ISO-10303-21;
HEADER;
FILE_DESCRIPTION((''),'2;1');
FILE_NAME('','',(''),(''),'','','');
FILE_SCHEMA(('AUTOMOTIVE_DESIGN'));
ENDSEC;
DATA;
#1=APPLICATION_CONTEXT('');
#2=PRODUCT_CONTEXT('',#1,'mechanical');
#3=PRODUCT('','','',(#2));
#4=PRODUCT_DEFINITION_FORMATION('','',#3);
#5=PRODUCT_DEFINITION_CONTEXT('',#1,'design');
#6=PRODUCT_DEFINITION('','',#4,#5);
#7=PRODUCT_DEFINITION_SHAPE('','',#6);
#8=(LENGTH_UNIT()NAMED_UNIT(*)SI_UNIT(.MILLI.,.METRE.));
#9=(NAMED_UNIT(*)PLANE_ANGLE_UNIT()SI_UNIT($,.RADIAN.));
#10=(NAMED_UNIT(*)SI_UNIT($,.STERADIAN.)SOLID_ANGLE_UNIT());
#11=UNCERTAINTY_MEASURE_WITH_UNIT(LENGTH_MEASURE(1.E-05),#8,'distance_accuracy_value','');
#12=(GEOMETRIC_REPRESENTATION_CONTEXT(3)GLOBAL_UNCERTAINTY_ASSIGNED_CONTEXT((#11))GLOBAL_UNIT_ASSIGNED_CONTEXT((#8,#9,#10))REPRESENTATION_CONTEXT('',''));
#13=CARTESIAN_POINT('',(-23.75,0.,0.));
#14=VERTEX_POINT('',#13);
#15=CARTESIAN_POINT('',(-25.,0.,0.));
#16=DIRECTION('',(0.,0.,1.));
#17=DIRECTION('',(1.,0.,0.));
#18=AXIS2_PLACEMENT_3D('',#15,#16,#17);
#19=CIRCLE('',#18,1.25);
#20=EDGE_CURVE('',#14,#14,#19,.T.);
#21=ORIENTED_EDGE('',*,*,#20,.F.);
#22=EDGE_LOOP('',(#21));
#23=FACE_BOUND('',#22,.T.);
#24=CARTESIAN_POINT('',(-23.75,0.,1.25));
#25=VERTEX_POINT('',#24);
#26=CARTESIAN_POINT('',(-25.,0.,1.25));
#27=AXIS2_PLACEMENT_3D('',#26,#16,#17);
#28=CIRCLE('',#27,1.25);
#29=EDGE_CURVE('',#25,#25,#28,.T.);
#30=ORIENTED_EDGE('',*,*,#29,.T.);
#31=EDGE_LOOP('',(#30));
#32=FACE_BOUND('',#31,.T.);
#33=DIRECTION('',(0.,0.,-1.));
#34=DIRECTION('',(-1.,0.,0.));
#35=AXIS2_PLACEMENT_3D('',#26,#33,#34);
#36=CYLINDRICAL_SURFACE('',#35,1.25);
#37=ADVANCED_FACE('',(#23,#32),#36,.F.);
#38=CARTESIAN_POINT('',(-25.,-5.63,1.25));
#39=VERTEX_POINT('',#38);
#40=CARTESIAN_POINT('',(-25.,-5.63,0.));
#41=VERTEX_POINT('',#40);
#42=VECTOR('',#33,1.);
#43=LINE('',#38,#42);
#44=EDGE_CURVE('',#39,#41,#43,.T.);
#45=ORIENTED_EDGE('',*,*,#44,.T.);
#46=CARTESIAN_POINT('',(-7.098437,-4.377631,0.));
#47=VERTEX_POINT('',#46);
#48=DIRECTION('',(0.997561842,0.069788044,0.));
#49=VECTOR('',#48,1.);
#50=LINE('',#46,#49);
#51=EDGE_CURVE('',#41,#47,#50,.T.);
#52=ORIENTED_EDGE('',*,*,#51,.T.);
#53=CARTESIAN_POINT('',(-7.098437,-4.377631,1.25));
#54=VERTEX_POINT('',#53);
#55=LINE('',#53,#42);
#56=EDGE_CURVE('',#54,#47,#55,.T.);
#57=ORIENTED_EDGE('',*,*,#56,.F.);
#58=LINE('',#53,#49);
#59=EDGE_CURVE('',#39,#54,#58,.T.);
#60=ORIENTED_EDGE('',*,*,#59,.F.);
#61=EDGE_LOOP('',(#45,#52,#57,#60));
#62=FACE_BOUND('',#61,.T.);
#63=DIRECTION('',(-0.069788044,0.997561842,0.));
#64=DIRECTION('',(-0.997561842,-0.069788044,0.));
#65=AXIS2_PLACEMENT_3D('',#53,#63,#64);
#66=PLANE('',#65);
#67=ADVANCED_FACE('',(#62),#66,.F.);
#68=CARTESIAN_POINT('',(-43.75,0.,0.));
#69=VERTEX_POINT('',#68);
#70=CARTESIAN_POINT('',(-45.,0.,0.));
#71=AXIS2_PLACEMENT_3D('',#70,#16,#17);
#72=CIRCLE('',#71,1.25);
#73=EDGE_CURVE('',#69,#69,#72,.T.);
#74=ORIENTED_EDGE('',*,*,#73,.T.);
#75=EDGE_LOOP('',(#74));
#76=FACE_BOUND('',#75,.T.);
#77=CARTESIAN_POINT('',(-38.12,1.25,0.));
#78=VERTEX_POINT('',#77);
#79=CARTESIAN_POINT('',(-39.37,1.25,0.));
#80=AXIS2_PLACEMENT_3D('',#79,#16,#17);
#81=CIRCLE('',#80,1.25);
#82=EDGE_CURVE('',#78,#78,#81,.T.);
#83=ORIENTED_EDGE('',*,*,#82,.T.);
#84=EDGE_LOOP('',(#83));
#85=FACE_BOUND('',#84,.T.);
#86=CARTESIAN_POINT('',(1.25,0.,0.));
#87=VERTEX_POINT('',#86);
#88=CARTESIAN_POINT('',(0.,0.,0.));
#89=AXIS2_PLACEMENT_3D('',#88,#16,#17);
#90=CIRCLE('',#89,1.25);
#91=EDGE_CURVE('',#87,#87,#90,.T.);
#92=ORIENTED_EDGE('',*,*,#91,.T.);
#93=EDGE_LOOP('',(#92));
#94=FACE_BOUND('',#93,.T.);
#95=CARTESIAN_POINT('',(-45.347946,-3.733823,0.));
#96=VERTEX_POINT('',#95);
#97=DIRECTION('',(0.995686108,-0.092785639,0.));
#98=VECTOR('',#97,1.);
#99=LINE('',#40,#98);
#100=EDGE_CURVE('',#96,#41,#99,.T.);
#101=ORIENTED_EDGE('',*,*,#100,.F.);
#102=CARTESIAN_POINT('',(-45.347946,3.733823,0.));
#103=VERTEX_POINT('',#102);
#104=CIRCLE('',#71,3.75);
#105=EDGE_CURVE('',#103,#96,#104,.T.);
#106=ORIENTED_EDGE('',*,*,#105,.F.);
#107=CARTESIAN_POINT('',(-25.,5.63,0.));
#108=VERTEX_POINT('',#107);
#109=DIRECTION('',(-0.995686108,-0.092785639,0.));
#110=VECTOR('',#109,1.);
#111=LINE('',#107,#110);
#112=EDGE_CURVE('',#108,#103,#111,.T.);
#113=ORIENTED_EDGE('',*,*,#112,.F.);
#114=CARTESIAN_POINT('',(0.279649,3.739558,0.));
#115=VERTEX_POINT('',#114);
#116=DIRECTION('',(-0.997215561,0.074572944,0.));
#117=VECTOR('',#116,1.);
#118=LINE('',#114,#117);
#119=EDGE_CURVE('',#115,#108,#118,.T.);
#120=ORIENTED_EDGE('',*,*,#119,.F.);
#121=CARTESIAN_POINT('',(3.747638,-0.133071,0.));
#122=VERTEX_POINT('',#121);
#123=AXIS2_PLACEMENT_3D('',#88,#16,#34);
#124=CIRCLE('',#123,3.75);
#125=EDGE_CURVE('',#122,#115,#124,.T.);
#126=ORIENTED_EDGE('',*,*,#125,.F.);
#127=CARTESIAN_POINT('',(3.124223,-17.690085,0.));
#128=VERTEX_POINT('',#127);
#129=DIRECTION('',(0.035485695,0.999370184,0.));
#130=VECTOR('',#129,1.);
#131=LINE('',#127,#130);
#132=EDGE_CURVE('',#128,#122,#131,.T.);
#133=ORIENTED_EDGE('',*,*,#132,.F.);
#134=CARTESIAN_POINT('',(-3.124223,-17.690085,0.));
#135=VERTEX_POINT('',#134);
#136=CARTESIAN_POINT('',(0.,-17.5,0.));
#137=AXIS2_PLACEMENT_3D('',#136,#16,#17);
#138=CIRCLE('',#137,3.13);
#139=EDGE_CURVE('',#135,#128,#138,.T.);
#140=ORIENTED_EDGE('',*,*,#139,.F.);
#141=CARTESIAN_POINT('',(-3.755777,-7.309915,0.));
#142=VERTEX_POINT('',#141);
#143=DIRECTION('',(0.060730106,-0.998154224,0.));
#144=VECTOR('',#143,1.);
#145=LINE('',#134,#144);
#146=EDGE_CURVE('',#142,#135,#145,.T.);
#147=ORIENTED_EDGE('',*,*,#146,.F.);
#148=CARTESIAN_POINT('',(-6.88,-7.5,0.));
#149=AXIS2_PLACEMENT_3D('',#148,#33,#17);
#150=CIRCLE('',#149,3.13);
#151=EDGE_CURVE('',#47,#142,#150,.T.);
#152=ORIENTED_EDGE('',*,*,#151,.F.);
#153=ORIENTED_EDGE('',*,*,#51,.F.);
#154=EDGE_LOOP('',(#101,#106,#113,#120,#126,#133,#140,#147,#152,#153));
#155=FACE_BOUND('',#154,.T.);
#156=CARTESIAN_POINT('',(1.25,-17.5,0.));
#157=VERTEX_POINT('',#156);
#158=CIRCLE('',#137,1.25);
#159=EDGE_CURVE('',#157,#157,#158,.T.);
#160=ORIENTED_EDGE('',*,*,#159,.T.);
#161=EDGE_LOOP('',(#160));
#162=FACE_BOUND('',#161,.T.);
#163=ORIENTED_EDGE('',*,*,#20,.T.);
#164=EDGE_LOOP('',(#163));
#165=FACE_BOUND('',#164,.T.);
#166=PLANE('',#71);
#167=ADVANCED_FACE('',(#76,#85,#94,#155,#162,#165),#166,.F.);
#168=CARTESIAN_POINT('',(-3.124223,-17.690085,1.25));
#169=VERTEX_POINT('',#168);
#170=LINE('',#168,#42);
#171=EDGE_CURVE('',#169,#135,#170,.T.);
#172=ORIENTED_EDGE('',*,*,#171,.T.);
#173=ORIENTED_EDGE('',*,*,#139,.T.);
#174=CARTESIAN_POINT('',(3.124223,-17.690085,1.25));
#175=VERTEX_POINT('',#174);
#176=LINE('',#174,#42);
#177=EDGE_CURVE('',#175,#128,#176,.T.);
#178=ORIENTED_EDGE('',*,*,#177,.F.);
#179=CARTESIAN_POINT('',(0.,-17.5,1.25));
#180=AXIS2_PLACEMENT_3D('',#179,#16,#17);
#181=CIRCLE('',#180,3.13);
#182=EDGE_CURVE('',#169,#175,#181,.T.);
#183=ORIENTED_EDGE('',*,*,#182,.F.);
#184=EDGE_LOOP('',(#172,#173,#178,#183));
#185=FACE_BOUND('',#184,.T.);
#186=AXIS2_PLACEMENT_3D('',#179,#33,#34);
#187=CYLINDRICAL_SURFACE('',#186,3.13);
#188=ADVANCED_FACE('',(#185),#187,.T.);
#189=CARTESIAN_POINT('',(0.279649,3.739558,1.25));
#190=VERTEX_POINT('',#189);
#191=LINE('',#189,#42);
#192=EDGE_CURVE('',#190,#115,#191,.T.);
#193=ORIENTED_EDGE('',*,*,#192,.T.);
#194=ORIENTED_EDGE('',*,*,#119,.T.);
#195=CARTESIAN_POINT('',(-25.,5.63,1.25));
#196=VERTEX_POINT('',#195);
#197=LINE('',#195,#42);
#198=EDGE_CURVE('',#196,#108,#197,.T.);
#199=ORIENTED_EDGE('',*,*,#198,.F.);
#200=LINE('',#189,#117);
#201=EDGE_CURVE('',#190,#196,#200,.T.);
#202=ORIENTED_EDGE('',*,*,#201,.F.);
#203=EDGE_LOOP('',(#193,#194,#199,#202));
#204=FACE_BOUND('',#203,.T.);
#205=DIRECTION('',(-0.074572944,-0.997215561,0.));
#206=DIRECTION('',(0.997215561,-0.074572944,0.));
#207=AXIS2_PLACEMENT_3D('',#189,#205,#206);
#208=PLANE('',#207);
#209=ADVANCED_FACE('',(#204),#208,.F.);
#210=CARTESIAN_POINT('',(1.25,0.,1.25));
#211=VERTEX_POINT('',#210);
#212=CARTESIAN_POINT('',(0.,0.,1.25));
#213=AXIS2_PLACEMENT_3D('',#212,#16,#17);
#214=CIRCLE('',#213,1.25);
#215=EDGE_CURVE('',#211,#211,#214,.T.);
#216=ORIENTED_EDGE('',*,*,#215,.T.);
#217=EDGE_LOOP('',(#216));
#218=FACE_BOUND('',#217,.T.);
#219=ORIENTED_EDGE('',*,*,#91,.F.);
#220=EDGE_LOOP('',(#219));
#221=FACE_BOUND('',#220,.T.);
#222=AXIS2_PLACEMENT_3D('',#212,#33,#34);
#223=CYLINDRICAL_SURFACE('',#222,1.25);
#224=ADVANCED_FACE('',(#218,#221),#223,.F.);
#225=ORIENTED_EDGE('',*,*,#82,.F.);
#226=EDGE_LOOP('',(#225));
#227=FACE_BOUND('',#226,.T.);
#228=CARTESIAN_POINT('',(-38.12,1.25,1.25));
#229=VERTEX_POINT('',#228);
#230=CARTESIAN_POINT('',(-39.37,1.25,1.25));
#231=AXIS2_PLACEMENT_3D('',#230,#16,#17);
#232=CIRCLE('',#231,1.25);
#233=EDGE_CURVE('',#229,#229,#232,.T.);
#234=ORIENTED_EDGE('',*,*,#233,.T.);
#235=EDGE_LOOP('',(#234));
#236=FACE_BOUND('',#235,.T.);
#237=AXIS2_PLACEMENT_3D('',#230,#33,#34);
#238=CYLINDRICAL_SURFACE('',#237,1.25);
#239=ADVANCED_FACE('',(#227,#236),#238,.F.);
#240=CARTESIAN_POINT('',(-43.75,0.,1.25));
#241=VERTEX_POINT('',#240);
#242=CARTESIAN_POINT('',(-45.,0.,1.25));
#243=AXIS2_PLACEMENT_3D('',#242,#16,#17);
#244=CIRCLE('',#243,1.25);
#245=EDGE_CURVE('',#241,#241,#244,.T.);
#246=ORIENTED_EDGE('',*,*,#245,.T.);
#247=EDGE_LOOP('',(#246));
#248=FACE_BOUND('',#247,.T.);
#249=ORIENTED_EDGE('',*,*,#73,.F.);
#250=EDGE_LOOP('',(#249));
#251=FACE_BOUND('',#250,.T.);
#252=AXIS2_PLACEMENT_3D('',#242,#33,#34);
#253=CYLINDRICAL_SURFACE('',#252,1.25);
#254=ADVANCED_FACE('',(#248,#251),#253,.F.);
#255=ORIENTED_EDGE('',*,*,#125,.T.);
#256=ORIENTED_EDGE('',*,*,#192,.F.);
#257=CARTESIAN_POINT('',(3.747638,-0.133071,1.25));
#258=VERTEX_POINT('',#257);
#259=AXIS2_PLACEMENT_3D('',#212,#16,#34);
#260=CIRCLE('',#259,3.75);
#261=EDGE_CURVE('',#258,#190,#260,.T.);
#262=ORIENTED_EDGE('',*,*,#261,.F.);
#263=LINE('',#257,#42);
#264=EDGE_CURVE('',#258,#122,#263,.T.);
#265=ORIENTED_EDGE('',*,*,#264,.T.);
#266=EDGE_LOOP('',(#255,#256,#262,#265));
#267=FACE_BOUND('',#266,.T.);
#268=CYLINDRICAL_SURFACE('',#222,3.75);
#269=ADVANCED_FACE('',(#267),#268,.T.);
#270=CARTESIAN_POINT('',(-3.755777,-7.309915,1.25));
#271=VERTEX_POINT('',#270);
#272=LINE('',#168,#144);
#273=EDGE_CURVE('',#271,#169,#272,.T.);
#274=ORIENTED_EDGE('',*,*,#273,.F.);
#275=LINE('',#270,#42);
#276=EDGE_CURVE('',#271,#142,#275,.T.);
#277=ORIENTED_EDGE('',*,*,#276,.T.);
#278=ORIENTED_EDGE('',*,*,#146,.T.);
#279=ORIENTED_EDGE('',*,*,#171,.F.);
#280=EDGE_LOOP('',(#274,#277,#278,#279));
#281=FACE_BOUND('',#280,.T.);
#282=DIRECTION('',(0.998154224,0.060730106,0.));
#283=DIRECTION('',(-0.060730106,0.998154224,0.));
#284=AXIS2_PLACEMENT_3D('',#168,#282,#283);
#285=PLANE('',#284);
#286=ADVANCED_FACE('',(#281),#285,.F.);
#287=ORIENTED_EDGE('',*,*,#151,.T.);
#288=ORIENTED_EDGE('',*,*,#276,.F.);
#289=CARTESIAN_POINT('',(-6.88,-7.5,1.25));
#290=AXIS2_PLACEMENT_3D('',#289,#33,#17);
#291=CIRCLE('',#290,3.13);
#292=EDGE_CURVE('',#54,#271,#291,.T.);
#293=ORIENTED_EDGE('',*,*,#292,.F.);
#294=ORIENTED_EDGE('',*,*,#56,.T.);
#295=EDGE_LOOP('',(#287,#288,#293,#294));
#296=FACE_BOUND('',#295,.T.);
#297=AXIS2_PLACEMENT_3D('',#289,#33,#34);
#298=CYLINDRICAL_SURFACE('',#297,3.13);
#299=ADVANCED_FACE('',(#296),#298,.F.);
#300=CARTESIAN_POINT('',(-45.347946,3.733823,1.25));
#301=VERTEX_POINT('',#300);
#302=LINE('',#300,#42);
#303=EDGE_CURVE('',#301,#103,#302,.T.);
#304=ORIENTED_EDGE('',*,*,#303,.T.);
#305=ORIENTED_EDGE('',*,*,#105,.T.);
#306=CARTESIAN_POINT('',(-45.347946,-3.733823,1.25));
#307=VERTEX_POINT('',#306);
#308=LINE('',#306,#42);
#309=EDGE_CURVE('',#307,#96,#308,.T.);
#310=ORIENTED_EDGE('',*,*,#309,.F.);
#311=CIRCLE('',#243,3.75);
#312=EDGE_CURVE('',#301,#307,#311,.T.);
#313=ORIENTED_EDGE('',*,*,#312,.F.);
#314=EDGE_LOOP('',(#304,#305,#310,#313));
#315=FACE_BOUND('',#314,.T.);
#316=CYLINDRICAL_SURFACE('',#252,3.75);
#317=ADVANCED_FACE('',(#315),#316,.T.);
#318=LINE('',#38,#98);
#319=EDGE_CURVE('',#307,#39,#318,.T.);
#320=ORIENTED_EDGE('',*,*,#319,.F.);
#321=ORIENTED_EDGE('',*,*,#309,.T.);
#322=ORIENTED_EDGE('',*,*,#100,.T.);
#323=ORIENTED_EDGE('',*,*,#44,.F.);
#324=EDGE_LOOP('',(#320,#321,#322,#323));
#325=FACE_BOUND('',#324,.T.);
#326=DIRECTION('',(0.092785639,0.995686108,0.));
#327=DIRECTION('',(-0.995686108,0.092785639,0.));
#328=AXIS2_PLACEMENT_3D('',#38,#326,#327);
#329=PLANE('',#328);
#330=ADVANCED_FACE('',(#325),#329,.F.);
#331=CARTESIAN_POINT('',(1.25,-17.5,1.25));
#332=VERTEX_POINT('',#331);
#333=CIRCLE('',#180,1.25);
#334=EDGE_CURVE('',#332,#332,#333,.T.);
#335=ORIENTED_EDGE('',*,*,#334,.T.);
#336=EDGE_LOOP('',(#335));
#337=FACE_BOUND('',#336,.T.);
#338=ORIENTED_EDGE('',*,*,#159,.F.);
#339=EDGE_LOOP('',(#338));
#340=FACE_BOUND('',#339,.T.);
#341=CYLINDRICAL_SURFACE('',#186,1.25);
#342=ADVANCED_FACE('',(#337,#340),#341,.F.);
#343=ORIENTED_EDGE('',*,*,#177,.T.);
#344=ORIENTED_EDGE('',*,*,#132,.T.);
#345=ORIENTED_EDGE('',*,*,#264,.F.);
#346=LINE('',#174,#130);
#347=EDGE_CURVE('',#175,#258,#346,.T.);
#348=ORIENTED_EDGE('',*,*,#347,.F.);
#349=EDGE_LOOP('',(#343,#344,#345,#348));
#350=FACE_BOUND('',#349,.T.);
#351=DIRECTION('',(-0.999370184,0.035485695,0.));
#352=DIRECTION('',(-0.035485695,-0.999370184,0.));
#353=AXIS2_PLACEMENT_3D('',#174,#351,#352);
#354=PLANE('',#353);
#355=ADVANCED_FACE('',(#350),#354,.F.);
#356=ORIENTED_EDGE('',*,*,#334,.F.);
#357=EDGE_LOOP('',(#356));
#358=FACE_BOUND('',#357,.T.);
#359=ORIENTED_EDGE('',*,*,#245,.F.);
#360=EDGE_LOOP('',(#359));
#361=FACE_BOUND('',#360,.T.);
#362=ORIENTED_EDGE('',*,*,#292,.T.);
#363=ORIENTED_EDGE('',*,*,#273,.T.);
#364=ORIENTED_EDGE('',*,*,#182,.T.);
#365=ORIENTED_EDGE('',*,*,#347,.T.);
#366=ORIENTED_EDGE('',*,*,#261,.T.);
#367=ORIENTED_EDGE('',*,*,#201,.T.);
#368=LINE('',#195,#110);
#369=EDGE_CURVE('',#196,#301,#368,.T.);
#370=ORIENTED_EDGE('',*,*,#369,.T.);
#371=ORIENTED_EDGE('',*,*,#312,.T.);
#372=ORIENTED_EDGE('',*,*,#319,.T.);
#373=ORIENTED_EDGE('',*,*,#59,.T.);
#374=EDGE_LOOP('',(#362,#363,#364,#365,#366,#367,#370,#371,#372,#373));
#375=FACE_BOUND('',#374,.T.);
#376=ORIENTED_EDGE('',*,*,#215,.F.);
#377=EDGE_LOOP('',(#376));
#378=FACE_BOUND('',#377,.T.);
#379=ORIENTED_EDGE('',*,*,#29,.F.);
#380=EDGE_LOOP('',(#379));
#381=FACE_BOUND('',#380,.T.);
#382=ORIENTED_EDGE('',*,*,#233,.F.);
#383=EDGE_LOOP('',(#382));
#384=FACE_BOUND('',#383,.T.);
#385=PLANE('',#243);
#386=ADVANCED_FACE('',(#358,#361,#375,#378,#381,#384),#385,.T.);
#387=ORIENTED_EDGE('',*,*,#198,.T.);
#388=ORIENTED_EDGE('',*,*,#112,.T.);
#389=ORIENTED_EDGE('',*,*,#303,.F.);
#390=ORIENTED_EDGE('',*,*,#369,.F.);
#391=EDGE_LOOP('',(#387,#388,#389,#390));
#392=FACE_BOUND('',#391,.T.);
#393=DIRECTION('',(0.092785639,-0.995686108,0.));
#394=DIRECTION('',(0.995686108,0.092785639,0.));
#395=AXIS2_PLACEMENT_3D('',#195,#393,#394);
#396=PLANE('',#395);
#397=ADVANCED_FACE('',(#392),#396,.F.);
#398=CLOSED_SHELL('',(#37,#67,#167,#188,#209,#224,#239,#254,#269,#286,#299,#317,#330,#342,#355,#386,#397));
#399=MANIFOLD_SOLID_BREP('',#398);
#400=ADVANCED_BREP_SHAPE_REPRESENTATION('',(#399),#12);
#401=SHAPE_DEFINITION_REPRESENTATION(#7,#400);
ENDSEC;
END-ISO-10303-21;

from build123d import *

# Parameters (mm, degrees)
SKETCH2_R           = 1.25
BOSS_EXTRUDE1_DEPTH = 1.25


with BuildPart() as part:
    # Sketch2 → Boss-Extrude1 (new body)
    with BuildSketch(Plane.XY):
        with BuildLine():
            Line((0.279648542, 3.739558355), (-25, 5.63))
            Line((-25, 5.63), (-45.347946147, 3.733822904))
            ThreePointArc((-45.347946147, 3.733822904), (-48.75, 0), (-45.347946147, -3.733822904))
            Line((-45.347946147, -3.733822904), (-25, -5.63))
            Line((-25, -5.63), (-7.098436577, -4.377631434))
            ThreePointArc((-7.098436577, -4.377631434), (-4.815909482, -5.147037966), (-3.75577728, -7.309914769))
            Line((-3.75577728, -7.309914769), (-3.12422272, -17.690085231))
            ThreePointArc((-3.12422272, -17.690085231), (0, -20.63), (3.12422272, -17.690085231))
            Line((3.12422272, -17.690085231), (3.747638192, -0.133071355))
            ThreePointArc((3.747638192, -0.133071355), (2.793577424, 2.501684467), (0.279648542, 3.739558355))
        make_face()
        Circle(SKETCH2_R, mode=Mode.SUBTRACT)
        with Locations((0, -17.5)):
            Circle(SKETCH2_R, mode=Mode.SUBTRACT)
        with Locations((-45, 0)):
            Circle(SKETCH2_R, mode=Mode.SUBTRACT)
        with Locations((-25, 0)):
            Circle(SKETCH2_R, mode=Mode.SUBTRACT)
        with Locations((-39.37, 1.25)):
            Circle(SKETCH2_R, mode=Mode.SUBTRACT)
    extrude(amount=BOSS_EXTRUDE1_DEPTH)


solid = part.part
